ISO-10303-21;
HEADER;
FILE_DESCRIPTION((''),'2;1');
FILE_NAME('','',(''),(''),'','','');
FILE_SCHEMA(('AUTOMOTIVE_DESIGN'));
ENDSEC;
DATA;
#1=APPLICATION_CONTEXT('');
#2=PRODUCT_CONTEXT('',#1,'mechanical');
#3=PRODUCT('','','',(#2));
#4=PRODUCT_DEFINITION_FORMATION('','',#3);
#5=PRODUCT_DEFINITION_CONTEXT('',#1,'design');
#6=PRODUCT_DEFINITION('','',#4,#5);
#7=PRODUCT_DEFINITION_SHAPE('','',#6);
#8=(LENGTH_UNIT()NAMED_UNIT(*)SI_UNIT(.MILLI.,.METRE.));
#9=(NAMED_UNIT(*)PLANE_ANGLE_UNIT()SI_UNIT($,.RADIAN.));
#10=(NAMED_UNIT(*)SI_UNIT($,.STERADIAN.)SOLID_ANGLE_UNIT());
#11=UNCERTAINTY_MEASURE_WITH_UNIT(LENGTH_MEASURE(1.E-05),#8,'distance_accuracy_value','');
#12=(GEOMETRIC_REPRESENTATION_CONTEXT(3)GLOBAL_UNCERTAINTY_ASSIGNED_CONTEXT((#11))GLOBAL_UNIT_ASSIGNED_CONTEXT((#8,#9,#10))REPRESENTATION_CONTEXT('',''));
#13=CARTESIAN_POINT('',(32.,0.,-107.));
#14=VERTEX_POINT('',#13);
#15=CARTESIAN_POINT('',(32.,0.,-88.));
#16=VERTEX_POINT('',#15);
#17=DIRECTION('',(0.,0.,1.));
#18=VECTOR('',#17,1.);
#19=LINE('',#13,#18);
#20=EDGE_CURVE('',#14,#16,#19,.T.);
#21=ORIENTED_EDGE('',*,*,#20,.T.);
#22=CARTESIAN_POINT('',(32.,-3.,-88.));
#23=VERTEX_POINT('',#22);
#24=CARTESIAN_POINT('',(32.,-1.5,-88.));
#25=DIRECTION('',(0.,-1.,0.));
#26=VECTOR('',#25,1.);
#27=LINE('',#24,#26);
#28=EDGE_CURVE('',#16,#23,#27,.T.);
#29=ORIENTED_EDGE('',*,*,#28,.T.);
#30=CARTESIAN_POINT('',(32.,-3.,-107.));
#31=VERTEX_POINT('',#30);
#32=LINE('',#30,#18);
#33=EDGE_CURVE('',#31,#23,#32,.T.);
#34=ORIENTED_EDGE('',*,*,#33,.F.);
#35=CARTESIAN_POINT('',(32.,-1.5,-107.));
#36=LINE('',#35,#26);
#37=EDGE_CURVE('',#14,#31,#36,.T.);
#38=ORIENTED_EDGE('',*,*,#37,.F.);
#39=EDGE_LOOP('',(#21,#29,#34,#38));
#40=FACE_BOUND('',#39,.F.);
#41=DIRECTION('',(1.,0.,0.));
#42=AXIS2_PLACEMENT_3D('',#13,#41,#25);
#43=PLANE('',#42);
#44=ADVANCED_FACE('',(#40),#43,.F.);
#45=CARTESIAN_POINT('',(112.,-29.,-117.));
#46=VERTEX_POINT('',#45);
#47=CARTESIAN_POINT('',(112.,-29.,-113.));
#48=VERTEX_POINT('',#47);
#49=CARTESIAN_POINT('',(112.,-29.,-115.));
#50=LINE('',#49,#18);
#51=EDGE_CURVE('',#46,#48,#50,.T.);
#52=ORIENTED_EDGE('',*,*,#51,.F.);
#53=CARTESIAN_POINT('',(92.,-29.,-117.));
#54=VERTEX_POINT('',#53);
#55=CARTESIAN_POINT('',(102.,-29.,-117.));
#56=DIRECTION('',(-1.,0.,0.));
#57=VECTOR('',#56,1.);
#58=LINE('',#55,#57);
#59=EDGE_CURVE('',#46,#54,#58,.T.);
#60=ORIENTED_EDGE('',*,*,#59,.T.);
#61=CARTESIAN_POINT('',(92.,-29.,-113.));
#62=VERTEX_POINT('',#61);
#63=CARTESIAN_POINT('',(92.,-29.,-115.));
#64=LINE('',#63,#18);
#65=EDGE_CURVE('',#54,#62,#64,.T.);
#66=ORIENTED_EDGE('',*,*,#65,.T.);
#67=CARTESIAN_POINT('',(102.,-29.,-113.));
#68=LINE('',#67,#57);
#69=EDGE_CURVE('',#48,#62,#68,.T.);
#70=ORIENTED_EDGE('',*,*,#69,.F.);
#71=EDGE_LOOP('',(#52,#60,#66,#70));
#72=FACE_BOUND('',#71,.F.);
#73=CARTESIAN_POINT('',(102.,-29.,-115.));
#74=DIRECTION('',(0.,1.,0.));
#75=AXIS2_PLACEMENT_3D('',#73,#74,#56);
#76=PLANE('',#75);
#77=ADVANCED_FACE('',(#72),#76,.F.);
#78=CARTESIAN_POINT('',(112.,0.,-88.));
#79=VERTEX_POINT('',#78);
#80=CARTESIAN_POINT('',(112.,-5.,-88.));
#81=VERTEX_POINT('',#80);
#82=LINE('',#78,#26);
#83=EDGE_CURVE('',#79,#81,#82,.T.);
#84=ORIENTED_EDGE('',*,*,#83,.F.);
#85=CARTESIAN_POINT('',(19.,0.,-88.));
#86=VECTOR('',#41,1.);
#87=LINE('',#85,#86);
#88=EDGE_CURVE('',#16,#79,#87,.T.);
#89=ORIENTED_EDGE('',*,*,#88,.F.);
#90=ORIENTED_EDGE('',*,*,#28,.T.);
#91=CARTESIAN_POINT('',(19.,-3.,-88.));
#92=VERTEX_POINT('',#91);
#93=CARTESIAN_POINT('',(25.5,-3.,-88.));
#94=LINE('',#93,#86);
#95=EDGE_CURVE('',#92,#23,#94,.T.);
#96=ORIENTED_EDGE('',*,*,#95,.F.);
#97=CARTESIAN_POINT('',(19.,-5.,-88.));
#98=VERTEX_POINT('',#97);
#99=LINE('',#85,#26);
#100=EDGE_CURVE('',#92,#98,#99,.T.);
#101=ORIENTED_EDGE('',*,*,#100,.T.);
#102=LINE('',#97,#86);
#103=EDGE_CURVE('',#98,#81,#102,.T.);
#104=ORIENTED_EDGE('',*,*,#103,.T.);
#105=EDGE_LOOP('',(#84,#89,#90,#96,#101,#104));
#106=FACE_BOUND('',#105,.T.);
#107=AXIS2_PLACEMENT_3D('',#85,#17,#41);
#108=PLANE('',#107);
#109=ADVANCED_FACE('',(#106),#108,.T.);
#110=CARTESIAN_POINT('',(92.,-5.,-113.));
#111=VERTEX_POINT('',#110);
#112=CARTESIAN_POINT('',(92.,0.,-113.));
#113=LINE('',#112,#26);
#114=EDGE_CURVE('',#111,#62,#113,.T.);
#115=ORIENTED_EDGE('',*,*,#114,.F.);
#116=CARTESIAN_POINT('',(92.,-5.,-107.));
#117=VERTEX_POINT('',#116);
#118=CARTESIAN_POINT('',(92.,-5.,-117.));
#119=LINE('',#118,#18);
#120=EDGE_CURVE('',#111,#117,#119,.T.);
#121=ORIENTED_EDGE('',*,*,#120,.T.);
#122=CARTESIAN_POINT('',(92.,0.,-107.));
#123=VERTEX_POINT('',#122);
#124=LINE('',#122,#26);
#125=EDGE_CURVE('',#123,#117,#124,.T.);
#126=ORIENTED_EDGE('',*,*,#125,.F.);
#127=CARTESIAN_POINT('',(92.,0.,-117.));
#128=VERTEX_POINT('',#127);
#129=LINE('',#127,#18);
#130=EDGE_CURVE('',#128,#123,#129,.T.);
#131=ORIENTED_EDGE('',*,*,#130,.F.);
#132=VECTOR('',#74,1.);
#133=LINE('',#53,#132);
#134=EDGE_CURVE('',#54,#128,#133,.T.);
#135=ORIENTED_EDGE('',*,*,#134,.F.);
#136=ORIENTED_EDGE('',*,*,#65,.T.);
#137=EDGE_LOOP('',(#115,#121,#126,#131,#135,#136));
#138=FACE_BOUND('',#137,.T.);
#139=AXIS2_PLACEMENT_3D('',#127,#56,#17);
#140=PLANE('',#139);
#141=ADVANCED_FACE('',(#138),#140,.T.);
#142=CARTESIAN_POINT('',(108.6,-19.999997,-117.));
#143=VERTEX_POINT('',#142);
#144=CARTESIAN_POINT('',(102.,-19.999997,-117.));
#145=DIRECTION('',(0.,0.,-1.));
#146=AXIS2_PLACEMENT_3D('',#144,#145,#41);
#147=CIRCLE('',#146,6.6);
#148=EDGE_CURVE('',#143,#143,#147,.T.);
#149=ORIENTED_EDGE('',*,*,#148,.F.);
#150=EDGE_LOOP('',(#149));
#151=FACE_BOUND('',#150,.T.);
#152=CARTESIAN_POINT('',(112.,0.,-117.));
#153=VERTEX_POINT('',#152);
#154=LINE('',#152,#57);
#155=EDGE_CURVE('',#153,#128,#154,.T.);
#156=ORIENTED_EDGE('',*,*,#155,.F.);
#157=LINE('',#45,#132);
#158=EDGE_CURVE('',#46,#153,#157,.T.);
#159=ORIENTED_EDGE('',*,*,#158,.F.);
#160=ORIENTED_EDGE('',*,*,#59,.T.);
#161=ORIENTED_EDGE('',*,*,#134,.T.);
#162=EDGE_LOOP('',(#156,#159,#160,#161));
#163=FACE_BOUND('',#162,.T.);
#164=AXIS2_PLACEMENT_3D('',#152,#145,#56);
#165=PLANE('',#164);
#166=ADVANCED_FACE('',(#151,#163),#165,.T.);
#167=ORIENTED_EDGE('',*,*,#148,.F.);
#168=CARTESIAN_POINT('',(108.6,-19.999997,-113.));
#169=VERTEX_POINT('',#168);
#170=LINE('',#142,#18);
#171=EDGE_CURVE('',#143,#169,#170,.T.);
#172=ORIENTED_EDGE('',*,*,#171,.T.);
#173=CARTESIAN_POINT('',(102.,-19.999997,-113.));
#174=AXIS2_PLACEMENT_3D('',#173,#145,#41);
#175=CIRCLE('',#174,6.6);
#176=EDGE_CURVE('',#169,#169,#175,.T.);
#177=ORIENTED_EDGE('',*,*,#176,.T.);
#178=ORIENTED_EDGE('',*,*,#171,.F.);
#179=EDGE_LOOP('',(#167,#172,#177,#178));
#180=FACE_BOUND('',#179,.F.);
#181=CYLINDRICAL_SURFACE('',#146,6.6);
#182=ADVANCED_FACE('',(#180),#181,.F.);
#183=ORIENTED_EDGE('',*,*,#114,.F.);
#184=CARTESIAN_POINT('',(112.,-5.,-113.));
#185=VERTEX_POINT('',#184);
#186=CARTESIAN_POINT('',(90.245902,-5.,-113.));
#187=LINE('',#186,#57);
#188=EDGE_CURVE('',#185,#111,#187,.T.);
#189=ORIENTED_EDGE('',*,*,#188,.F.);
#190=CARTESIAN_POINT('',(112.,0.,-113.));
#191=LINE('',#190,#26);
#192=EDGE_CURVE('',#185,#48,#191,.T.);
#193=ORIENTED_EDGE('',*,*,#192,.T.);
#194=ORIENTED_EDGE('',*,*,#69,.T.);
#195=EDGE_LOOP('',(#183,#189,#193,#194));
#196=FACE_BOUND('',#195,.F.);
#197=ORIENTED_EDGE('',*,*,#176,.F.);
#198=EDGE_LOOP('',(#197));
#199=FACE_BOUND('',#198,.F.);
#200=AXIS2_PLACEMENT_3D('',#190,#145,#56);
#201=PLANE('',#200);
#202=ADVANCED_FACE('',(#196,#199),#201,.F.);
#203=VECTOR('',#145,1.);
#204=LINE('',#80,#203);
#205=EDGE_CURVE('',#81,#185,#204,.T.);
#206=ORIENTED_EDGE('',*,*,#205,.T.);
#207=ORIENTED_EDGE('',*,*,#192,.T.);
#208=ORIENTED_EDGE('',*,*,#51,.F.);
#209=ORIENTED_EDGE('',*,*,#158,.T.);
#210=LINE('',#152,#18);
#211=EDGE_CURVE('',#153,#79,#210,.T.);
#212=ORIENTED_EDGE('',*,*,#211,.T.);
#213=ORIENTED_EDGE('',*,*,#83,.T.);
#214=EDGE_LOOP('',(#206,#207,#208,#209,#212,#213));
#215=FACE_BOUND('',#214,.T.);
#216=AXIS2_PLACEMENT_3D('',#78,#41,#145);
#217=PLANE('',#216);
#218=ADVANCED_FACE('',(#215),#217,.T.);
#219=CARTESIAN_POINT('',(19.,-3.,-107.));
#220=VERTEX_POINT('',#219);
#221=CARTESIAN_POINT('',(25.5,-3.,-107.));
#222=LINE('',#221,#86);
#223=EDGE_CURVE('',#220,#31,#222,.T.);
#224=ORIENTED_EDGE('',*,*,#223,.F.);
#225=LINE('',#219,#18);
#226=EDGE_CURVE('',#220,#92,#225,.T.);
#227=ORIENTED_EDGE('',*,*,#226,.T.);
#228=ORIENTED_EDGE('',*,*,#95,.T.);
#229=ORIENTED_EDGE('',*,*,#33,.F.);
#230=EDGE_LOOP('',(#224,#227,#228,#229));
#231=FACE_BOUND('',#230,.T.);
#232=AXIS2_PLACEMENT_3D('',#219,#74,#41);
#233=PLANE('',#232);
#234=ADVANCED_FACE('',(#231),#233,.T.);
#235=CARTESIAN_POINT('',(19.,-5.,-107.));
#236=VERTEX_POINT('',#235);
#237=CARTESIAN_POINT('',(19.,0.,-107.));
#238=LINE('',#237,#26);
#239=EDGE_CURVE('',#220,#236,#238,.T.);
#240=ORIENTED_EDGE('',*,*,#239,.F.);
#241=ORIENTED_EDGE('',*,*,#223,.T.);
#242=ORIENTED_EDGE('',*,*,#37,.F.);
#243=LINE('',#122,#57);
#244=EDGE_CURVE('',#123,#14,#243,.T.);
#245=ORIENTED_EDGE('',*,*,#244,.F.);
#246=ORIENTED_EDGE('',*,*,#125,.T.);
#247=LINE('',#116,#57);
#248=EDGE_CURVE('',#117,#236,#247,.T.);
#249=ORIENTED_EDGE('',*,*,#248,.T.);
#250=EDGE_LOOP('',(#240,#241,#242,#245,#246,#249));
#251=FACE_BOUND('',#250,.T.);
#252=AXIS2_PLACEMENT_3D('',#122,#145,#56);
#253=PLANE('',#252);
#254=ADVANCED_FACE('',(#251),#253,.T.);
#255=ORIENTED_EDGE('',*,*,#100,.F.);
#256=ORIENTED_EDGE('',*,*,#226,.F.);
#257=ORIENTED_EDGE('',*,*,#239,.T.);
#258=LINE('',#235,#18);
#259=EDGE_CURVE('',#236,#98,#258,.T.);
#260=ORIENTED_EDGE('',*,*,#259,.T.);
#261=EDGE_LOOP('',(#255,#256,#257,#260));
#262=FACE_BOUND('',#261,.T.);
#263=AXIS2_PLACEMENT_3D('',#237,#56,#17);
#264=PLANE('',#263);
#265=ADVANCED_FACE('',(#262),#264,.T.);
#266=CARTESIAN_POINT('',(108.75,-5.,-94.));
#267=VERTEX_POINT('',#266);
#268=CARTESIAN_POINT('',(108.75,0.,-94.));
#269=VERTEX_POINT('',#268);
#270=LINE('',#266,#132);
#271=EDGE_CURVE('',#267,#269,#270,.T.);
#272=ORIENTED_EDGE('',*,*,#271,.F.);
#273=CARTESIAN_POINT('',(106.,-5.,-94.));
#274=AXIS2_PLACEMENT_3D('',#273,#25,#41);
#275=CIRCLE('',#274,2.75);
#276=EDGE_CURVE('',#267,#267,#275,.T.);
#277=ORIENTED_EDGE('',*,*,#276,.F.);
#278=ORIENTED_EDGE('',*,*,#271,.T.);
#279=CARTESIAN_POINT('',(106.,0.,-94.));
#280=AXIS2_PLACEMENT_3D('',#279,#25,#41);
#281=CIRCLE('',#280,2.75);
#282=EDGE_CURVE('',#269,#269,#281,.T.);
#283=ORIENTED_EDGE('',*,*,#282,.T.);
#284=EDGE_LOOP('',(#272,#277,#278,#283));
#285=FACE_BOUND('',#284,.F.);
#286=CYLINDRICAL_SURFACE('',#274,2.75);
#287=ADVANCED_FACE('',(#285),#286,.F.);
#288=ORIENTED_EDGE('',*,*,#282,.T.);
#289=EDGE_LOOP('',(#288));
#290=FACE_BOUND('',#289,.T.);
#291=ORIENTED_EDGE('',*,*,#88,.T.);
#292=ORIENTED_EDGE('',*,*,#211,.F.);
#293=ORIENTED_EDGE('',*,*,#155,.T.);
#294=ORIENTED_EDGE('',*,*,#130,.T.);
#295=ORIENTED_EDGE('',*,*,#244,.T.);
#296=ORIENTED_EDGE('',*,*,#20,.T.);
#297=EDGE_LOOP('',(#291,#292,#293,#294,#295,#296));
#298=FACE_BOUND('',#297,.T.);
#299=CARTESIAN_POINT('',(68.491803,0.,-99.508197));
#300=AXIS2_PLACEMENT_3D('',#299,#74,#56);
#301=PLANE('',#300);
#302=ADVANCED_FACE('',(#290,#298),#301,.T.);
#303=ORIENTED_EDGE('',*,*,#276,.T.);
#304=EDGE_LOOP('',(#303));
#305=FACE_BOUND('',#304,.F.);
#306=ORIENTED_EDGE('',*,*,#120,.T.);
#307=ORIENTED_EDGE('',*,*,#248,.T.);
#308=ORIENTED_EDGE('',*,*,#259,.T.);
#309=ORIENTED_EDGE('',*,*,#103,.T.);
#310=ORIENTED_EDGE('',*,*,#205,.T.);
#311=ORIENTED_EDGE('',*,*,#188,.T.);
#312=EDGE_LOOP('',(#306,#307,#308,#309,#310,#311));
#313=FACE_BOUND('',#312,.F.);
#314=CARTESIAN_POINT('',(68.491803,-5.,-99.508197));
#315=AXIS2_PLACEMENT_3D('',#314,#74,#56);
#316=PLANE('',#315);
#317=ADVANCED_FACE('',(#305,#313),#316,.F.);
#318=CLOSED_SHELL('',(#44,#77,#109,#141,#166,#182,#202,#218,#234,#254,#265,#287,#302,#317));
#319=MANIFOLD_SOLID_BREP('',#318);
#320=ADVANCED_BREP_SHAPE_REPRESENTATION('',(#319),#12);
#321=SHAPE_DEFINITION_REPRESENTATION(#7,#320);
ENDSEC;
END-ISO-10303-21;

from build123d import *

# Parameters (mm, degrees)
SKETCH001_W   = 20
SKETCH001_H   = 4
PAD001_DEPTH  = 29
SKETCH002_R   = 6.6
HOLE_DEPTH    = 4.001001
SKETCH004_W   = 13
SKETCH004_H   = 3
PAD002_DEPTH  = 19
PAD_DEPTH     = 5
SKETCH003_R   = 2.75
HOLE001_DEPTH = 5.001


with BuildPart() as body001:
    # Sketch001 (on Face1 of CopyPad) → Pad001 (new body)
    with BuildSketch(Plane(origin=(0, 0, 0), x_dir=(-1, 0, 0), z_dir=(0, 1, 0))):
        with Locations((-102, -115)):
            Rectangle(SKETCH001_W, SKETCH001_H)
    extrude(amount=-PAD001_DEPTH)

    # Sketch002 (on Face3 of Pad001) → Hole (cut, through all)
    with BuildSketch(Plane(origin=(0, 3e-06, -117), x_dir=(1, 0, 0), z_dir=(0, 0, -1))):
        with Locations((102, 20)):
            Circle(SKETCH002_R)
    extrude(amount=-HOLE_DEPTH, mode=Mode.SUBTRACT)


with BuildPart() as body002:
    # Sketch004 (on Face1 of CopyHole001) → Pad002 (new body)
    with BuildSketch(Plane(origin=(0, 0, -107), x_dir=(1, 0, 0), z_dir=(0, 0, -1))):
        with Locations((25.5, 39.5)):
            Rectangle(SKETCH004_W, SKETCH004_H)
    extrude(amount=-PAD002_DEPTH)


with BuildPart() as body002_1:
    # Body002 placement: moved
    add(body002.part.moved(Location((0, 38, 0))))


with BuildPart() as body:
    # Sketch → Pad (new body)
    with BuildSketch(Plane.XZ):
        Polygon((19, -88), (112, -88), (112, -117), (92, -117), (92, -107), (19, -107), align=None)
    extrude(amount=PAD_DEPTH)

    # Sketch003 (on Face8 of Pad) → Hole001 (cut, through all)
    with BuildSketch(Plane.XZ.offset(5)):
        with Locations((106, -94)):
            Circle(SKETCH003_R)
    extrude(amount=-HOLE001_DEPTH, mode=Mode.SUBTRACT)

    # Boolean: union Body001
    add(body001.part)

    # Boolean001: cut Body002
    add(body002_1.part, mode=Mode.SUBTRACT)


solid = body.part
